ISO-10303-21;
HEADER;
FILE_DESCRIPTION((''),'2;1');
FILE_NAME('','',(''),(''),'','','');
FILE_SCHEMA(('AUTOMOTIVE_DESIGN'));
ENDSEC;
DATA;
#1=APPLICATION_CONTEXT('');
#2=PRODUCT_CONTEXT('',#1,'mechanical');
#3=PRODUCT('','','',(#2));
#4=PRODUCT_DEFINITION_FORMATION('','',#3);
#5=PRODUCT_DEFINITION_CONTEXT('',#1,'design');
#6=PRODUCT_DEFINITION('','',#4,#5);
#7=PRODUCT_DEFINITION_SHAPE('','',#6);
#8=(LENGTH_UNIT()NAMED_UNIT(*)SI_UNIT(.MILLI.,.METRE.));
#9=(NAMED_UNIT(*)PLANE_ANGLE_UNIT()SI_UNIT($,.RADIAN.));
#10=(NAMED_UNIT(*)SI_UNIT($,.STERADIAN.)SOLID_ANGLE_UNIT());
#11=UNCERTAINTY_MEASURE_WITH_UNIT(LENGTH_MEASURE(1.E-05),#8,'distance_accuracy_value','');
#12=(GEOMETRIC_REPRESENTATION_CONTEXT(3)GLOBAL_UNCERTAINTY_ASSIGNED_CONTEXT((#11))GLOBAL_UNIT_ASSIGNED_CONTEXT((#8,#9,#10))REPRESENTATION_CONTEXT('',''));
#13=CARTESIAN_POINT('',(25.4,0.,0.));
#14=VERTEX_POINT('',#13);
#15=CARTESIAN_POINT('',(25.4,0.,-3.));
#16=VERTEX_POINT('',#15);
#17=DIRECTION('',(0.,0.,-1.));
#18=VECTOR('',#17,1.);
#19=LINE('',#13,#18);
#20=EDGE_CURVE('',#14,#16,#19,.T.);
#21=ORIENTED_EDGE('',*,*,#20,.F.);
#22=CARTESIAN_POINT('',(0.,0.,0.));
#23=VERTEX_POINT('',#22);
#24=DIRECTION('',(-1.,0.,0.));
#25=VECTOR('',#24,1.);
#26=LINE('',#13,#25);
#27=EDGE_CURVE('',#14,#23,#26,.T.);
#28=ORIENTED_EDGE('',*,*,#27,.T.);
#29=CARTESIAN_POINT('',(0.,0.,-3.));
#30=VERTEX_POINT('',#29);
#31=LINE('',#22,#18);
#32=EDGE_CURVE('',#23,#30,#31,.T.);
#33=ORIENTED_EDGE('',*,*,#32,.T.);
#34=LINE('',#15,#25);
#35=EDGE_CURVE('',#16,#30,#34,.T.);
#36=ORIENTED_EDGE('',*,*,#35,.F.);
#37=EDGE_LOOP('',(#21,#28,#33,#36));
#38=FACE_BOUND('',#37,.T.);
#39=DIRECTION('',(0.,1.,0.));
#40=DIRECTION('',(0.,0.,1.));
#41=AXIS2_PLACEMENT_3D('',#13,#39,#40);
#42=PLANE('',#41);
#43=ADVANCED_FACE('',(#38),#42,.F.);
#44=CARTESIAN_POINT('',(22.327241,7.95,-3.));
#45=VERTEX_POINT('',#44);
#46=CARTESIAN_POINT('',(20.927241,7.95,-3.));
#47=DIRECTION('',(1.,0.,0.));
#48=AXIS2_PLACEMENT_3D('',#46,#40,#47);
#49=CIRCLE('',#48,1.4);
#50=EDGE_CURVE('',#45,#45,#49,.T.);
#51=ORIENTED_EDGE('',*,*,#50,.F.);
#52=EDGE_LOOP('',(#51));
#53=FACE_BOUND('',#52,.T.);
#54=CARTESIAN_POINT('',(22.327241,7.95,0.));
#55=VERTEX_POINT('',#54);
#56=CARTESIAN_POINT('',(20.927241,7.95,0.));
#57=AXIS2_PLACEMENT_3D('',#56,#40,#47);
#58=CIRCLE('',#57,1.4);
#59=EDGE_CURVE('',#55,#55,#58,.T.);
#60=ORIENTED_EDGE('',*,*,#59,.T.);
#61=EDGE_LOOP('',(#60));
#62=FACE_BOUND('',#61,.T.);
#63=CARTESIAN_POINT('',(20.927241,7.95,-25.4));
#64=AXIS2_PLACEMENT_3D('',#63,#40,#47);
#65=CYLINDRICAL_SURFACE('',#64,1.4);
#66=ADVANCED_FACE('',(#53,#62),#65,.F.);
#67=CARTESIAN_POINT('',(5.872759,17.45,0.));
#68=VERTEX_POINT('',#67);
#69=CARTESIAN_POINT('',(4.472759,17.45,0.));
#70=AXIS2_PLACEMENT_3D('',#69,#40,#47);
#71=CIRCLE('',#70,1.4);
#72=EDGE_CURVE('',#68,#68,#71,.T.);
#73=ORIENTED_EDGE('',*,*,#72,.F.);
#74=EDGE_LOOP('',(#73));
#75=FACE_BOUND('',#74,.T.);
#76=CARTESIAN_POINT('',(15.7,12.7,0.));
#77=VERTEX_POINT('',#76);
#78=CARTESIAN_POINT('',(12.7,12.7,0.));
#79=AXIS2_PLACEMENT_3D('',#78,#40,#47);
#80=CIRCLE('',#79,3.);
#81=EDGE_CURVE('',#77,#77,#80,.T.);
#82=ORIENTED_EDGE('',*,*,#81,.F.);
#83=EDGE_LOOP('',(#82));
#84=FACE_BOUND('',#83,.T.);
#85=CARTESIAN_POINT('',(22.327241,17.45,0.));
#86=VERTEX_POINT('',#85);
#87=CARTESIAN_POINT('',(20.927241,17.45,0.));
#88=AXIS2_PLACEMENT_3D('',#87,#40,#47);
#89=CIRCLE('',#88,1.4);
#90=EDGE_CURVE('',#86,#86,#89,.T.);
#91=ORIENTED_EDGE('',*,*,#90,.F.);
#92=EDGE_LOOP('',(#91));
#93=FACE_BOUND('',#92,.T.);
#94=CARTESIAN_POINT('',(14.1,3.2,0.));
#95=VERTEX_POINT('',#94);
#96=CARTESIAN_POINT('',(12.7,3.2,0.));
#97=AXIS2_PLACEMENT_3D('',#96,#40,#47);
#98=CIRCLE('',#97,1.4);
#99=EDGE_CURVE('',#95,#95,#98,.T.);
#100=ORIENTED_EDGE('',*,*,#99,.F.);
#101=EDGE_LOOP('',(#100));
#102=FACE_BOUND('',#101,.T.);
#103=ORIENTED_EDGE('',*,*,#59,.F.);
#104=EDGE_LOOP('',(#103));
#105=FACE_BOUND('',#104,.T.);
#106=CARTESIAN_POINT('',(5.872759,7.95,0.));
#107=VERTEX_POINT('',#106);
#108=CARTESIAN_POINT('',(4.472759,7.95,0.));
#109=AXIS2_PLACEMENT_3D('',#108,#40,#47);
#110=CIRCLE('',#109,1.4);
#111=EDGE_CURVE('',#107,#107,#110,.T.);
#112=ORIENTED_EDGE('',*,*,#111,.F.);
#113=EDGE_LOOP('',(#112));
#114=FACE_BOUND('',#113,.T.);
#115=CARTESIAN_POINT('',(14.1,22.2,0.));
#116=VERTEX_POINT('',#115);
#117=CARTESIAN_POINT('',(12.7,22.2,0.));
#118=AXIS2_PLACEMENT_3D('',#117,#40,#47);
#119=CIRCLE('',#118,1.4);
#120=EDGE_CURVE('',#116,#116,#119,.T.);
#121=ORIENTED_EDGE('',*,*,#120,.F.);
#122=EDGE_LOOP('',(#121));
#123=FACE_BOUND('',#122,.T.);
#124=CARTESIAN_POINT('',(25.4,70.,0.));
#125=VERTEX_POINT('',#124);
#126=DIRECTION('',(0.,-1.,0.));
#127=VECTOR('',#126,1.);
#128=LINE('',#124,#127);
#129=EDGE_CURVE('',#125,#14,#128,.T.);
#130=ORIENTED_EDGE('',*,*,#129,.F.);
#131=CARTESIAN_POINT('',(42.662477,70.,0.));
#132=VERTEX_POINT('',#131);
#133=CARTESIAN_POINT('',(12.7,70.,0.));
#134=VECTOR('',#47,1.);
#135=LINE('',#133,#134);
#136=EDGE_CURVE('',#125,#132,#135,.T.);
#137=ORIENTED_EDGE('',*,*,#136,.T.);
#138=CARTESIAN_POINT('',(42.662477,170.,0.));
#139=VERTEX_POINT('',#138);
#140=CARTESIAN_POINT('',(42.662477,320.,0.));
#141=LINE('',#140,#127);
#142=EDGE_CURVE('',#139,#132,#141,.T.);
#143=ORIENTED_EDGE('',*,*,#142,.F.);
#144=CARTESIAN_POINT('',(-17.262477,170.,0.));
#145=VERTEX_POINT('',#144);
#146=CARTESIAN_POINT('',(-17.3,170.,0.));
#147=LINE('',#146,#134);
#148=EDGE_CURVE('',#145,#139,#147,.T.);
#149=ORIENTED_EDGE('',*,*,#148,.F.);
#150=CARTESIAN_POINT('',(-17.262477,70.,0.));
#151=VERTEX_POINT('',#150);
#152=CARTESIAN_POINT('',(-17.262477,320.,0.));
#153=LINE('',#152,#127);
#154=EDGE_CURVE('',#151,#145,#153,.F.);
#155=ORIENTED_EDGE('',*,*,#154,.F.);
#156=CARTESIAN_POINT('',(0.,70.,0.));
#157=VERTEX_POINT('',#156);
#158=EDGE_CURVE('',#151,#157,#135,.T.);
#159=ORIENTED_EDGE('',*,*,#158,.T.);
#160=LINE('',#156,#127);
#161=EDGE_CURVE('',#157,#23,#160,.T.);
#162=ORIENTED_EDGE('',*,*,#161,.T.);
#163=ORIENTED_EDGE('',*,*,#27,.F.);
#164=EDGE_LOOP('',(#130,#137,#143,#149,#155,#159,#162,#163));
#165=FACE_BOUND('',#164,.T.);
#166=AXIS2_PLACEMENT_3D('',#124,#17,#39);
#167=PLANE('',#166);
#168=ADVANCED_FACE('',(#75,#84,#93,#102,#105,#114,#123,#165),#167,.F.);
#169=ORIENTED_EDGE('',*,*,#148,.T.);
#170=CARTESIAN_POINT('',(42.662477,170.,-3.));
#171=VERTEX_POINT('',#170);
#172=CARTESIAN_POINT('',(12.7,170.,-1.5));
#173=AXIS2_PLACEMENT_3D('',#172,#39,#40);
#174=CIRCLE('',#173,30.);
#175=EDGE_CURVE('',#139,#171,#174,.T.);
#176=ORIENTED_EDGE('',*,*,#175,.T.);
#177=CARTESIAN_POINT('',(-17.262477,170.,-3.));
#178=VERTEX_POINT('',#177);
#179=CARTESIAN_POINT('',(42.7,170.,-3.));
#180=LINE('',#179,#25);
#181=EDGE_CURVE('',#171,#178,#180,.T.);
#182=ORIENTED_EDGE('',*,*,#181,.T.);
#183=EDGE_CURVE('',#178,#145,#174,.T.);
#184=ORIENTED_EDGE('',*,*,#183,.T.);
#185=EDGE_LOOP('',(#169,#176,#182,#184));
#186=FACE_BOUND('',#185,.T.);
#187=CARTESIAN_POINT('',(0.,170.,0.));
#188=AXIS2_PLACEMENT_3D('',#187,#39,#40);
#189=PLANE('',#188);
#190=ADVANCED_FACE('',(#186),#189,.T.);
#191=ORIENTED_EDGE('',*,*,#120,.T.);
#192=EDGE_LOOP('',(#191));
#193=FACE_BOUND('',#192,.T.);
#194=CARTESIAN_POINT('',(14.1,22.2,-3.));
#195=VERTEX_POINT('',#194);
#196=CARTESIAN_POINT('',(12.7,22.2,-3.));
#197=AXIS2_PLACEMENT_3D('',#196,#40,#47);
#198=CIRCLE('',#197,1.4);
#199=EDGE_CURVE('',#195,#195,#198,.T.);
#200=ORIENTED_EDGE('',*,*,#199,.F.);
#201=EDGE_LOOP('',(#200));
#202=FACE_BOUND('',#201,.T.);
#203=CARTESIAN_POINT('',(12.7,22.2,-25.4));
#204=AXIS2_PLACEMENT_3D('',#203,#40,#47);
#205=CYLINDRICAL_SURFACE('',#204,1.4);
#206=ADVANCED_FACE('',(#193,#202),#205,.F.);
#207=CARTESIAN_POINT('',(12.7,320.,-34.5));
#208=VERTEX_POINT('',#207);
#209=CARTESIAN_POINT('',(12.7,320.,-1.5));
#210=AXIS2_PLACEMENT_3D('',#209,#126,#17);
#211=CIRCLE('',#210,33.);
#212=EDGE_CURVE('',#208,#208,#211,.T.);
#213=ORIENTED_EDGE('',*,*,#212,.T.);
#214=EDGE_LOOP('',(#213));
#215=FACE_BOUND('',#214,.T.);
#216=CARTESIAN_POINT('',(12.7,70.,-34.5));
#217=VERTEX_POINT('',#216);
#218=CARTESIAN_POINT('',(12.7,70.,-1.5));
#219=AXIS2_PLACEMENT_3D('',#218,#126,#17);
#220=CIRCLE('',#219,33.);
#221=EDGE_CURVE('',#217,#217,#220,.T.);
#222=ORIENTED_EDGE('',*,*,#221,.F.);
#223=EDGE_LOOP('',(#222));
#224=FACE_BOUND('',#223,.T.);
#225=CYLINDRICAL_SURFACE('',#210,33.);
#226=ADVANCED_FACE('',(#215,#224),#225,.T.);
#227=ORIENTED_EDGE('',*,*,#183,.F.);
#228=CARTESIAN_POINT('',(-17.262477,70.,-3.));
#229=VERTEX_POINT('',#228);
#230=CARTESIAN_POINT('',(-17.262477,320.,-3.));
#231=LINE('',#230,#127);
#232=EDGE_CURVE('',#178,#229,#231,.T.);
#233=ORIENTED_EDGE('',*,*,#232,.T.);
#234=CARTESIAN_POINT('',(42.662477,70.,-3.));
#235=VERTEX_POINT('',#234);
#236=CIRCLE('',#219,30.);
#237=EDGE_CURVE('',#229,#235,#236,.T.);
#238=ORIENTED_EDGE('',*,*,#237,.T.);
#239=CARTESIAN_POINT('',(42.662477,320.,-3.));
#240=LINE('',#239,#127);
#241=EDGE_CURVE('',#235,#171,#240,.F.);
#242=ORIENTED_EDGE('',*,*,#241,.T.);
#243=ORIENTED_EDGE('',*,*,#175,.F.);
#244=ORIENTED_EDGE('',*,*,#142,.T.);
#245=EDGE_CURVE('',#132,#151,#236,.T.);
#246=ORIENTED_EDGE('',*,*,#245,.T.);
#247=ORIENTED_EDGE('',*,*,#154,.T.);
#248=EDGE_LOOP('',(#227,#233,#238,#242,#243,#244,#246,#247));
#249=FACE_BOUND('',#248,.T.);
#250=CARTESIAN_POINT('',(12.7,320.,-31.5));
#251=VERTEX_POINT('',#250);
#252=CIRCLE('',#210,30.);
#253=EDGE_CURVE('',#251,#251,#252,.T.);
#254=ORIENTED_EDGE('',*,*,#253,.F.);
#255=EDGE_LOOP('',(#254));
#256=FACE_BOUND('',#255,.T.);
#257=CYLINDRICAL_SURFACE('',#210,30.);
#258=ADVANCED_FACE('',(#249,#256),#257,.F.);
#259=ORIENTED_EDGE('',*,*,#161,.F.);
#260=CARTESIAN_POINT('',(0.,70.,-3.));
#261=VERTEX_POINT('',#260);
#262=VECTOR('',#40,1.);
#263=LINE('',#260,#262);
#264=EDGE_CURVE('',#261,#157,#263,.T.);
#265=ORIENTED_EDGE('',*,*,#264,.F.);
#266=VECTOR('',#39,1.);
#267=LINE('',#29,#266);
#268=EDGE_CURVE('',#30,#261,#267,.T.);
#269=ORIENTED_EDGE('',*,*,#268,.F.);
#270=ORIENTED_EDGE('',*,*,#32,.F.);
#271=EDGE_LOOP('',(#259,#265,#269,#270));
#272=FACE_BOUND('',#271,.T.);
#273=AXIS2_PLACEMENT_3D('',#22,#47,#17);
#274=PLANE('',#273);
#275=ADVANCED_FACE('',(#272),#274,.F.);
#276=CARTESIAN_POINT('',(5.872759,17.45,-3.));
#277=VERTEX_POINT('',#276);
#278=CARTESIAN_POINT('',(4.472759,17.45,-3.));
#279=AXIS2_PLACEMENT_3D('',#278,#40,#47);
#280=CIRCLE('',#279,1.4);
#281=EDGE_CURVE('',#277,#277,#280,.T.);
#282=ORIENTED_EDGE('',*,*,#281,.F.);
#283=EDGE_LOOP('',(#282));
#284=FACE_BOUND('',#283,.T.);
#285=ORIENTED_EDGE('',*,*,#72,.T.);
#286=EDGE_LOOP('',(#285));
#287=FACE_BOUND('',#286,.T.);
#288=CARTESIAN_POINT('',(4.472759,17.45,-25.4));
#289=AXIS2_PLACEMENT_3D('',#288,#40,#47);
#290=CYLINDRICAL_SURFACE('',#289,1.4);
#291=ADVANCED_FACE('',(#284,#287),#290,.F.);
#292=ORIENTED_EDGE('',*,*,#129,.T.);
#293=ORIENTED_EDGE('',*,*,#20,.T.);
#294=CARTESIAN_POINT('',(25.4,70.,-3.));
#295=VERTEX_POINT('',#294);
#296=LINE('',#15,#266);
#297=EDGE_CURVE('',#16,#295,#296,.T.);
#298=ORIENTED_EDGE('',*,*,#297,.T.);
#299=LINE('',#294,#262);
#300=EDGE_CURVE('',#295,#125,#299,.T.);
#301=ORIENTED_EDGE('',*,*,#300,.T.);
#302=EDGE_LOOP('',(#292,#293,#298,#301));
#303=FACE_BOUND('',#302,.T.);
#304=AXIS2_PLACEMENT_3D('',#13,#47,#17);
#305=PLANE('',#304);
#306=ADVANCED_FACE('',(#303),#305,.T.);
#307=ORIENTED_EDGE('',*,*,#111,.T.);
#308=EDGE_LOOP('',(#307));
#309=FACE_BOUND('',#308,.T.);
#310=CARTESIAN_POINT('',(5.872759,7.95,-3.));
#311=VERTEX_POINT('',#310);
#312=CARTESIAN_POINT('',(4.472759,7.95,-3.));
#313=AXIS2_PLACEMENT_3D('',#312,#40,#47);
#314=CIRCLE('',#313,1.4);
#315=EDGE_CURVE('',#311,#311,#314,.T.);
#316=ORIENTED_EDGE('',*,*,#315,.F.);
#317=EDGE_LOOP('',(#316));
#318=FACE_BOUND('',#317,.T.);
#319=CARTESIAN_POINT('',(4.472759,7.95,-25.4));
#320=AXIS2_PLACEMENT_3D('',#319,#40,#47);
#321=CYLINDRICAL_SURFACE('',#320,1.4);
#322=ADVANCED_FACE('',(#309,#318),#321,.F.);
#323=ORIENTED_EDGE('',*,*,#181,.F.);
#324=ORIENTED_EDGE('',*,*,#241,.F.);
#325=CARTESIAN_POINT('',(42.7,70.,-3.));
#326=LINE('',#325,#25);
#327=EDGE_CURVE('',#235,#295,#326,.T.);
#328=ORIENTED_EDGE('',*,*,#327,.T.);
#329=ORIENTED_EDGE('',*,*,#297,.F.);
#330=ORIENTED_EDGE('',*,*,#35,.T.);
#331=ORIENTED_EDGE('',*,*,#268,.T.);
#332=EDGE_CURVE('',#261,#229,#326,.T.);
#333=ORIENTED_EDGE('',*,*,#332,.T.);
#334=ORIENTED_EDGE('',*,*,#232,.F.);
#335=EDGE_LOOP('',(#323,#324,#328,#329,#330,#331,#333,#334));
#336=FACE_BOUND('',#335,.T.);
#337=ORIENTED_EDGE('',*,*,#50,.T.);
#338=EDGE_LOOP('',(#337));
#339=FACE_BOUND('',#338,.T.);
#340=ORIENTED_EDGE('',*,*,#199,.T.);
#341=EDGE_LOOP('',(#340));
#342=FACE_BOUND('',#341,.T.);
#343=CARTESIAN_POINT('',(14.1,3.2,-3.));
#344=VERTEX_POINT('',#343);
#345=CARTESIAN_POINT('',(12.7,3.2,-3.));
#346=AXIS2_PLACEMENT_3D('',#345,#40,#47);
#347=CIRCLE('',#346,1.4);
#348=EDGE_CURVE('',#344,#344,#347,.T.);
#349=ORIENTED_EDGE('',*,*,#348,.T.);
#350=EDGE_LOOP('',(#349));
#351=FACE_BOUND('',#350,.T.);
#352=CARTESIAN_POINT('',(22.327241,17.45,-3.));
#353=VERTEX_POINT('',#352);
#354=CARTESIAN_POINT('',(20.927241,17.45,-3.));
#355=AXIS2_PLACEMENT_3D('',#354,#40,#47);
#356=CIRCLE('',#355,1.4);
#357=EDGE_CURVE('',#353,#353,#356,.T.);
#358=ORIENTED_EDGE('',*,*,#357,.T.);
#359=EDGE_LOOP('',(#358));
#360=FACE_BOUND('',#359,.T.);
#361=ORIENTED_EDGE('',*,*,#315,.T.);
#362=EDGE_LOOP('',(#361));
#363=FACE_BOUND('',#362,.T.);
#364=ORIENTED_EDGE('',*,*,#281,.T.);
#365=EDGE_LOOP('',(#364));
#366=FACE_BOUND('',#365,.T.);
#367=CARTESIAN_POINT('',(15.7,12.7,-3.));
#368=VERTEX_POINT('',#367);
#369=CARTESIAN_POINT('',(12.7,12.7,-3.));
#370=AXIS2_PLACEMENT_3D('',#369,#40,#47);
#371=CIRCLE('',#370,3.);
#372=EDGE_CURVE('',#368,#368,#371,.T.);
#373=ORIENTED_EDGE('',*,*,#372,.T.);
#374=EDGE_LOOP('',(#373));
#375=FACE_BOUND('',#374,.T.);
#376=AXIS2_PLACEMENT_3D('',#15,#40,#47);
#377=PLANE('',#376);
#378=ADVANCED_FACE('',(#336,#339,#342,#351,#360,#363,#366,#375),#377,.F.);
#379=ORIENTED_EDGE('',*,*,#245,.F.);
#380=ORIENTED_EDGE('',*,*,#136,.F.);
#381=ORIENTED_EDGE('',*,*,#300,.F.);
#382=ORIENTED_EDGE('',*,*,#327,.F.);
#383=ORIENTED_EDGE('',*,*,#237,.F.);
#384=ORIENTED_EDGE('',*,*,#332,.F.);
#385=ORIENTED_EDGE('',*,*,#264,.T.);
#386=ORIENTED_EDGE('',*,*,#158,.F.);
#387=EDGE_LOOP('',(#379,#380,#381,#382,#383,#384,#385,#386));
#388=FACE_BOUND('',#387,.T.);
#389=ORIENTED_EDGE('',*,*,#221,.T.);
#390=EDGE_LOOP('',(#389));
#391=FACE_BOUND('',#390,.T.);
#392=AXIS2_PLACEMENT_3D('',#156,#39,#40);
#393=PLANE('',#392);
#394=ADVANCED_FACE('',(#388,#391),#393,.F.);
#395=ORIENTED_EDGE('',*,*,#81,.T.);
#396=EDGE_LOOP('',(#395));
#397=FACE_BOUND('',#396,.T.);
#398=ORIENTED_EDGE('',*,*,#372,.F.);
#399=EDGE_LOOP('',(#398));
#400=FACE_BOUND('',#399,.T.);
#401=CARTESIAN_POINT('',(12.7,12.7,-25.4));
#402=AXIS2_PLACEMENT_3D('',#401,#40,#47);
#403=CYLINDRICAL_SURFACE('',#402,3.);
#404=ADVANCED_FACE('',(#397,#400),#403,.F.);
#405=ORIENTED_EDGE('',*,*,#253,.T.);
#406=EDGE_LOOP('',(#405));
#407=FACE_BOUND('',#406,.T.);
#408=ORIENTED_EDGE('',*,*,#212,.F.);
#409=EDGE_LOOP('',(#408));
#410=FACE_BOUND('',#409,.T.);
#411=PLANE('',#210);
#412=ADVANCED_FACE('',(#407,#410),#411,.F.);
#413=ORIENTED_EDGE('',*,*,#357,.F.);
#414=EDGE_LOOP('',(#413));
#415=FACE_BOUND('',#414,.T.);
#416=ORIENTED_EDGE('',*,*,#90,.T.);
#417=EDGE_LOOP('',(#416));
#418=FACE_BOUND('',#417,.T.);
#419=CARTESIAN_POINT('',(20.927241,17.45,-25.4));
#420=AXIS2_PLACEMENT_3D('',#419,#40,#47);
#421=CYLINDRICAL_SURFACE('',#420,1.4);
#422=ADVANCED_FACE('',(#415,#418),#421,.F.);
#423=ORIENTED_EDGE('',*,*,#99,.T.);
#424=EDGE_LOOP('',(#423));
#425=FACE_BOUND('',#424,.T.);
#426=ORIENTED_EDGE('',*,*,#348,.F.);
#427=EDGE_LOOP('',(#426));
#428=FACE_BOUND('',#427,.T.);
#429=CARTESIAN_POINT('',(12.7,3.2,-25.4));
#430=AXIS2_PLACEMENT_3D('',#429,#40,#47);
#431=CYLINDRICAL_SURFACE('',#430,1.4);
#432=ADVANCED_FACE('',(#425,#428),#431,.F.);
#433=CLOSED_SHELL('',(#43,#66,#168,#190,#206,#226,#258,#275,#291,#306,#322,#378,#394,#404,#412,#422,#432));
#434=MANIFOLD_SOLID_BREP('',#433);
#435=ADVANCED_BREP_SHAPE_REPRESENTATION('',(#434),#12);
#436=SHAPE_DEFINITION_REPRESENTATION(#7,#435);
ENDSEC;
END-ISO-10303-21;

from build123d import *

# Parameters (mm, degrees)
SKETCH1_W           = 3
SKETCH1_H           = 70
BOSS_EXTRUDE1_DEPTH = 25.4
SKETCH2_R           = 3
SKETCH2_R_2         = 1.4
CUT_EXTRUDE1_DEPTH  = 25.4
BOSS_EXTRUDE2_DEPTH = 100
SKETCH4_R           = 33
SKETCH4_R_2         = 30
BOSS_EXTRUDE3_DEPTH = 250


with BuildPart() as part:
    # Sketch1 → Boss-Extrude1 (new body)
    with BuildSketch(Plane(origin=(0, 0, 0), x_dir=(0, 0, -1), z_dir=(1, 0, 0))):
        with Locations((1.5, 35)):
            Rectangle(SKETCH1_W, SKETCH1_H)
    extrude(amount=BOSS_EXTRUDE1_DEPTH)

    # Sketch2 → Cut-Extrude1 (cut)
    with BuildSketch(Plane.XY):
        with Locations((12.7, 12.7)):
            Circle(SKETCH2_R)
        with Locations((12.7, 22.2)):
            Circle(SKETCH2_R_2)
        with Locations((20.927241336, 17.45)):
            Circle(SKETCH2_R_2)
        with Locations((20.927241336, 7.95)):
            Circle(SKETCH2_R_2)
        with Locations((12.7, 3.2)):
            Circle(SKETCH2_R_2)
        with Locations((4.472758664, 7.95)):
            Circle(SKETCH2_R_2)
        with Locations((4.472758664, 17.45)):
            Circle(SKETCH2_R_2)
    extrude(amount=-CUT_EXTRUDE1_DEPTH, mode=Mode.SUBTRACT)

    # Sketch3 → Boss-Extrude2 (add)
    with BuildSketch(Plane(origin=(0, 70, 0), x_dir=(1, 0, 0), z_dir=(0, 1, 0))):
        Polygon((12.7, 0), (42.7, 0), (42.7, 3), (-17.3, 3), (-17.3, 0), align=None)
    extrude(amount=BOSS_EXTRUDE2_DEPTH)

    # Sketch4 → Boss-Extrude3 (add)
    with BuildSketch(Plane.XZ.offset(-70)):
        with Locations((12.7, -1.5)):
            Circle(SKETCH4_R)
        with Locations((12.7, -1.5)):
            Circle(SKETCH4_R_2, mode=Mode.SUBTRACT)
    extrude(amount=-BOSS_EXTRUDE3_DEPTH)


solid = part.part
